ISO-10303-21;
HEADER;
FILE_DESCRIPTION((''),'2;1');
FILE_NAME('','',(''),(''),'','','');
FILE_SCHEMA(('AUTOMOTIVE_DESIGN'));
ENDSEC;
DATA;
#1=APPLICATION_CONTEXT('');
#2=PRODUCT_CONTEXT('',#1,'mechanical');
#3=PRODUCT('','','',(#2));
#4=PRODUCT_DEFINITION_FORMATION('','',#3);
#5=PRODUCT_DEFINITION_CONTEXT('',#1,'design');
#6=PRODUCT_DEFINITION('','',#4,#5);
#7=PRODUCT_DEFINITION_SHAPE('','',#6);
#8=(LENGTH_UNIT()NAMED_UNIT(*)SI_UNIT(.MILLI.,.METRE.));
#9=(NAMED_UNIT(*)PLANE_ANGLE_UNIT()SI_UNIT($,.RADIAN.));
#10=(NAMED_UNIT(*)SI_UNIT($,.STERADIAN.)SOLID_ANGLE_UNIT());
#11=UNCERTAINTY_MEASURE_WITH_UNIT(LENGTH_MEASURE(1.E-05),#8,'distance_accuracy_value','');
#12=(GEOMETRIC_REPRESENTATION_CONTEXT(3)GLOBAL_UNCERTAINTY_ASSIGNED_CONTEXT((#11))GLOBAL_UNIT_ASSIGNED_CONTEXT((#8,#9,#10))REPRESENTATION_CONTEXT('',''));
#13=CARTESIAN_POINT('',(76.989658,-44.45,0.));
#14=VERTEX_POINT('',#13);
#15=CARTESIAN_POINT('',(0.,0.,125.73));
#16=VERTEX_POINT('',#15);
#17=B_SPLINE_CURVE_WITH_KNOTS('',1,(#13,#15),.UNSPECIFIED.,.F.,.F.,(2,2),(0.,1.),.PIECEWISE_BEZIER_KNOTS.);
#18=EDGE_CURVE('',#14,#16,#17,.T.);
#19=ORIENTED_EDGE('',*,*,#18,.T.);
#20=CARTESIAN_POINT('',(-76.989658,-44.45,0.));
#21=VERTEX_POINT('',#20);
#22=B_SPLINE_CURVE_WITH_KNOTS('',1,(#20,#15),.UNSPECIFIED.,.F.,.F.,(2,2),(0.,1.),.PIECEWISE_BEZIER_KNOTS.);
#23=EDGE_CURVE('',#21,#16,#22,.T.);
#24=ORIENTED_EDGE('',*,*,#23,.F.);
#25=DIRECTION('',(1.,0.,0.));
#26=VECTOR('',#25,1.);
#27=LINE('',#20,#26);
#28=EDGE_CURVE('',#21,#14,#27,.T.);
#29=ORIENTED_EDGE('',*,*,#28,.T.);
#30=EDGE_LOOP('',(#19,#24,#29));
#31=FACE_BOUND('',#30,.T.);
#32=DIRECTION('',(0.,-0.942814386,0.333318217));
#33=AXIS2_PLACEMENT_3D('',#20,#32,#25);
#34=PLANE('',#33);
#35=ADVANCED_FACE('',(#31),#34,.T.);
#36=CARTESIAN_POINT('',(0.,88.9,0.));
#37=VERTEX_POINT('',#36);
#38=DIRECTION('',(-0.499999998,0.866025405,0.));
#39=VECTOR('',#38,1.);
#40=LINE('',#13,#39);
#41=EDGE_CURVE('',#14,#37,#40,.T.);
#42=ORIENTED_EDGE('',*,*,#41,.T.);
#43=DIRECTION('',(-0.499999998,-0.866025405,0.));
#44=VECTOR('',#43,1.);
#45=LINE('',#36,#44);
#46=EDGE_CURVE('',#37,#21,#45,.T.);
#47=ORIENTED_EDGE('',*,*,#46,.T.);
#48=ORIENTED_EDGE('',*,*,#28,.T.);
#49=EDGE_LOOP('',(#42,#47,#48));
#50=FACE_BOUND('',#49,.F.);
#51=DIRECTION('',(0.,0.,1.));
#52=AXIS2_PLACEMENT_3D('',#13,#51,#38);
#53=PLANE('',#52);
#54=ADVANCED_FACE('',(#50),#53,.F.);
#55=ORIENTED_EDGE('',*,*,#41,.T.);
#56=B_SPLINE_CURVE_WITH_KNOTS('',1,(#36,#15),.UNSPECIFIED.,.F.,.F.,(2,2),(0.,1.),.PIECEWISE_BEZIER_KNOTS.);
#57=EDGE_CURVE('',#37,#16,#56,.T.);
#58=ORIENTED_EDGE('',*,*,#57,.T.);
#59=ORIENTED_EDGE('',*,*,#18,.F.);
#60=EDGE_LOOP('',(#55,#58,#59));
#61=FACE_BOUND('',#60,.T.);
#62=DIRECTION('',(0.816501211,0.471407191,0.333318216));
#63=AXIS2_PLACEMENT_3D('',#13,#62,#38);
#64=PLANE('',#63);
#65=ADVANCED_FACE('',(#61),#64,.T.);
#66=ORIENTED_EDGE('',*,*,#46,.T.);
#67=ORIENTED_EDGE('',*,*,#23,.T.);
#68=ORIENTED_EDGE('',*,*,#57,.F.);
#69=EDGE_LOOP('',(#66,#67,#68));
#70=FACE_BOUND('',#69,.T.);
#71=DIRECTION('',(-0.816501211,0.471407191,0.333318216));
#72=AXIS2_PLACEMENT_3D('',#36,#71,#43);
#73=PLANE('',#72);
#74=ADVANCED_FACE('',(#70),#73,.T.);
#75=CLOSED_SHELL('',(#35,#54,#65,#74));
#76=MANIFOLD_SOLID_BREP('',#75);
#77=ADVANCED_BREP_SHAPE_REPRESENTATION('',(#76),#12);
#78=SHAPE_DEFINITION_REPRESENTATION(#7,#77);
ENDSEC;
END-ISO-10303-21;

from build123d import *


with BuildPart() as f3:
    # F0 (on Top) → F3 section 0
    with BuildSketch(Plane.XY, mode=Mode.PRIVATE) as f3_s0:
        Polygon((76.989658, -44.45), (0, 88.9), (-76.989658, -44.45), align=None)
    loft([f3_s0.sketch, Vertex(0, 0, 125.73)])


solid = f3.part
